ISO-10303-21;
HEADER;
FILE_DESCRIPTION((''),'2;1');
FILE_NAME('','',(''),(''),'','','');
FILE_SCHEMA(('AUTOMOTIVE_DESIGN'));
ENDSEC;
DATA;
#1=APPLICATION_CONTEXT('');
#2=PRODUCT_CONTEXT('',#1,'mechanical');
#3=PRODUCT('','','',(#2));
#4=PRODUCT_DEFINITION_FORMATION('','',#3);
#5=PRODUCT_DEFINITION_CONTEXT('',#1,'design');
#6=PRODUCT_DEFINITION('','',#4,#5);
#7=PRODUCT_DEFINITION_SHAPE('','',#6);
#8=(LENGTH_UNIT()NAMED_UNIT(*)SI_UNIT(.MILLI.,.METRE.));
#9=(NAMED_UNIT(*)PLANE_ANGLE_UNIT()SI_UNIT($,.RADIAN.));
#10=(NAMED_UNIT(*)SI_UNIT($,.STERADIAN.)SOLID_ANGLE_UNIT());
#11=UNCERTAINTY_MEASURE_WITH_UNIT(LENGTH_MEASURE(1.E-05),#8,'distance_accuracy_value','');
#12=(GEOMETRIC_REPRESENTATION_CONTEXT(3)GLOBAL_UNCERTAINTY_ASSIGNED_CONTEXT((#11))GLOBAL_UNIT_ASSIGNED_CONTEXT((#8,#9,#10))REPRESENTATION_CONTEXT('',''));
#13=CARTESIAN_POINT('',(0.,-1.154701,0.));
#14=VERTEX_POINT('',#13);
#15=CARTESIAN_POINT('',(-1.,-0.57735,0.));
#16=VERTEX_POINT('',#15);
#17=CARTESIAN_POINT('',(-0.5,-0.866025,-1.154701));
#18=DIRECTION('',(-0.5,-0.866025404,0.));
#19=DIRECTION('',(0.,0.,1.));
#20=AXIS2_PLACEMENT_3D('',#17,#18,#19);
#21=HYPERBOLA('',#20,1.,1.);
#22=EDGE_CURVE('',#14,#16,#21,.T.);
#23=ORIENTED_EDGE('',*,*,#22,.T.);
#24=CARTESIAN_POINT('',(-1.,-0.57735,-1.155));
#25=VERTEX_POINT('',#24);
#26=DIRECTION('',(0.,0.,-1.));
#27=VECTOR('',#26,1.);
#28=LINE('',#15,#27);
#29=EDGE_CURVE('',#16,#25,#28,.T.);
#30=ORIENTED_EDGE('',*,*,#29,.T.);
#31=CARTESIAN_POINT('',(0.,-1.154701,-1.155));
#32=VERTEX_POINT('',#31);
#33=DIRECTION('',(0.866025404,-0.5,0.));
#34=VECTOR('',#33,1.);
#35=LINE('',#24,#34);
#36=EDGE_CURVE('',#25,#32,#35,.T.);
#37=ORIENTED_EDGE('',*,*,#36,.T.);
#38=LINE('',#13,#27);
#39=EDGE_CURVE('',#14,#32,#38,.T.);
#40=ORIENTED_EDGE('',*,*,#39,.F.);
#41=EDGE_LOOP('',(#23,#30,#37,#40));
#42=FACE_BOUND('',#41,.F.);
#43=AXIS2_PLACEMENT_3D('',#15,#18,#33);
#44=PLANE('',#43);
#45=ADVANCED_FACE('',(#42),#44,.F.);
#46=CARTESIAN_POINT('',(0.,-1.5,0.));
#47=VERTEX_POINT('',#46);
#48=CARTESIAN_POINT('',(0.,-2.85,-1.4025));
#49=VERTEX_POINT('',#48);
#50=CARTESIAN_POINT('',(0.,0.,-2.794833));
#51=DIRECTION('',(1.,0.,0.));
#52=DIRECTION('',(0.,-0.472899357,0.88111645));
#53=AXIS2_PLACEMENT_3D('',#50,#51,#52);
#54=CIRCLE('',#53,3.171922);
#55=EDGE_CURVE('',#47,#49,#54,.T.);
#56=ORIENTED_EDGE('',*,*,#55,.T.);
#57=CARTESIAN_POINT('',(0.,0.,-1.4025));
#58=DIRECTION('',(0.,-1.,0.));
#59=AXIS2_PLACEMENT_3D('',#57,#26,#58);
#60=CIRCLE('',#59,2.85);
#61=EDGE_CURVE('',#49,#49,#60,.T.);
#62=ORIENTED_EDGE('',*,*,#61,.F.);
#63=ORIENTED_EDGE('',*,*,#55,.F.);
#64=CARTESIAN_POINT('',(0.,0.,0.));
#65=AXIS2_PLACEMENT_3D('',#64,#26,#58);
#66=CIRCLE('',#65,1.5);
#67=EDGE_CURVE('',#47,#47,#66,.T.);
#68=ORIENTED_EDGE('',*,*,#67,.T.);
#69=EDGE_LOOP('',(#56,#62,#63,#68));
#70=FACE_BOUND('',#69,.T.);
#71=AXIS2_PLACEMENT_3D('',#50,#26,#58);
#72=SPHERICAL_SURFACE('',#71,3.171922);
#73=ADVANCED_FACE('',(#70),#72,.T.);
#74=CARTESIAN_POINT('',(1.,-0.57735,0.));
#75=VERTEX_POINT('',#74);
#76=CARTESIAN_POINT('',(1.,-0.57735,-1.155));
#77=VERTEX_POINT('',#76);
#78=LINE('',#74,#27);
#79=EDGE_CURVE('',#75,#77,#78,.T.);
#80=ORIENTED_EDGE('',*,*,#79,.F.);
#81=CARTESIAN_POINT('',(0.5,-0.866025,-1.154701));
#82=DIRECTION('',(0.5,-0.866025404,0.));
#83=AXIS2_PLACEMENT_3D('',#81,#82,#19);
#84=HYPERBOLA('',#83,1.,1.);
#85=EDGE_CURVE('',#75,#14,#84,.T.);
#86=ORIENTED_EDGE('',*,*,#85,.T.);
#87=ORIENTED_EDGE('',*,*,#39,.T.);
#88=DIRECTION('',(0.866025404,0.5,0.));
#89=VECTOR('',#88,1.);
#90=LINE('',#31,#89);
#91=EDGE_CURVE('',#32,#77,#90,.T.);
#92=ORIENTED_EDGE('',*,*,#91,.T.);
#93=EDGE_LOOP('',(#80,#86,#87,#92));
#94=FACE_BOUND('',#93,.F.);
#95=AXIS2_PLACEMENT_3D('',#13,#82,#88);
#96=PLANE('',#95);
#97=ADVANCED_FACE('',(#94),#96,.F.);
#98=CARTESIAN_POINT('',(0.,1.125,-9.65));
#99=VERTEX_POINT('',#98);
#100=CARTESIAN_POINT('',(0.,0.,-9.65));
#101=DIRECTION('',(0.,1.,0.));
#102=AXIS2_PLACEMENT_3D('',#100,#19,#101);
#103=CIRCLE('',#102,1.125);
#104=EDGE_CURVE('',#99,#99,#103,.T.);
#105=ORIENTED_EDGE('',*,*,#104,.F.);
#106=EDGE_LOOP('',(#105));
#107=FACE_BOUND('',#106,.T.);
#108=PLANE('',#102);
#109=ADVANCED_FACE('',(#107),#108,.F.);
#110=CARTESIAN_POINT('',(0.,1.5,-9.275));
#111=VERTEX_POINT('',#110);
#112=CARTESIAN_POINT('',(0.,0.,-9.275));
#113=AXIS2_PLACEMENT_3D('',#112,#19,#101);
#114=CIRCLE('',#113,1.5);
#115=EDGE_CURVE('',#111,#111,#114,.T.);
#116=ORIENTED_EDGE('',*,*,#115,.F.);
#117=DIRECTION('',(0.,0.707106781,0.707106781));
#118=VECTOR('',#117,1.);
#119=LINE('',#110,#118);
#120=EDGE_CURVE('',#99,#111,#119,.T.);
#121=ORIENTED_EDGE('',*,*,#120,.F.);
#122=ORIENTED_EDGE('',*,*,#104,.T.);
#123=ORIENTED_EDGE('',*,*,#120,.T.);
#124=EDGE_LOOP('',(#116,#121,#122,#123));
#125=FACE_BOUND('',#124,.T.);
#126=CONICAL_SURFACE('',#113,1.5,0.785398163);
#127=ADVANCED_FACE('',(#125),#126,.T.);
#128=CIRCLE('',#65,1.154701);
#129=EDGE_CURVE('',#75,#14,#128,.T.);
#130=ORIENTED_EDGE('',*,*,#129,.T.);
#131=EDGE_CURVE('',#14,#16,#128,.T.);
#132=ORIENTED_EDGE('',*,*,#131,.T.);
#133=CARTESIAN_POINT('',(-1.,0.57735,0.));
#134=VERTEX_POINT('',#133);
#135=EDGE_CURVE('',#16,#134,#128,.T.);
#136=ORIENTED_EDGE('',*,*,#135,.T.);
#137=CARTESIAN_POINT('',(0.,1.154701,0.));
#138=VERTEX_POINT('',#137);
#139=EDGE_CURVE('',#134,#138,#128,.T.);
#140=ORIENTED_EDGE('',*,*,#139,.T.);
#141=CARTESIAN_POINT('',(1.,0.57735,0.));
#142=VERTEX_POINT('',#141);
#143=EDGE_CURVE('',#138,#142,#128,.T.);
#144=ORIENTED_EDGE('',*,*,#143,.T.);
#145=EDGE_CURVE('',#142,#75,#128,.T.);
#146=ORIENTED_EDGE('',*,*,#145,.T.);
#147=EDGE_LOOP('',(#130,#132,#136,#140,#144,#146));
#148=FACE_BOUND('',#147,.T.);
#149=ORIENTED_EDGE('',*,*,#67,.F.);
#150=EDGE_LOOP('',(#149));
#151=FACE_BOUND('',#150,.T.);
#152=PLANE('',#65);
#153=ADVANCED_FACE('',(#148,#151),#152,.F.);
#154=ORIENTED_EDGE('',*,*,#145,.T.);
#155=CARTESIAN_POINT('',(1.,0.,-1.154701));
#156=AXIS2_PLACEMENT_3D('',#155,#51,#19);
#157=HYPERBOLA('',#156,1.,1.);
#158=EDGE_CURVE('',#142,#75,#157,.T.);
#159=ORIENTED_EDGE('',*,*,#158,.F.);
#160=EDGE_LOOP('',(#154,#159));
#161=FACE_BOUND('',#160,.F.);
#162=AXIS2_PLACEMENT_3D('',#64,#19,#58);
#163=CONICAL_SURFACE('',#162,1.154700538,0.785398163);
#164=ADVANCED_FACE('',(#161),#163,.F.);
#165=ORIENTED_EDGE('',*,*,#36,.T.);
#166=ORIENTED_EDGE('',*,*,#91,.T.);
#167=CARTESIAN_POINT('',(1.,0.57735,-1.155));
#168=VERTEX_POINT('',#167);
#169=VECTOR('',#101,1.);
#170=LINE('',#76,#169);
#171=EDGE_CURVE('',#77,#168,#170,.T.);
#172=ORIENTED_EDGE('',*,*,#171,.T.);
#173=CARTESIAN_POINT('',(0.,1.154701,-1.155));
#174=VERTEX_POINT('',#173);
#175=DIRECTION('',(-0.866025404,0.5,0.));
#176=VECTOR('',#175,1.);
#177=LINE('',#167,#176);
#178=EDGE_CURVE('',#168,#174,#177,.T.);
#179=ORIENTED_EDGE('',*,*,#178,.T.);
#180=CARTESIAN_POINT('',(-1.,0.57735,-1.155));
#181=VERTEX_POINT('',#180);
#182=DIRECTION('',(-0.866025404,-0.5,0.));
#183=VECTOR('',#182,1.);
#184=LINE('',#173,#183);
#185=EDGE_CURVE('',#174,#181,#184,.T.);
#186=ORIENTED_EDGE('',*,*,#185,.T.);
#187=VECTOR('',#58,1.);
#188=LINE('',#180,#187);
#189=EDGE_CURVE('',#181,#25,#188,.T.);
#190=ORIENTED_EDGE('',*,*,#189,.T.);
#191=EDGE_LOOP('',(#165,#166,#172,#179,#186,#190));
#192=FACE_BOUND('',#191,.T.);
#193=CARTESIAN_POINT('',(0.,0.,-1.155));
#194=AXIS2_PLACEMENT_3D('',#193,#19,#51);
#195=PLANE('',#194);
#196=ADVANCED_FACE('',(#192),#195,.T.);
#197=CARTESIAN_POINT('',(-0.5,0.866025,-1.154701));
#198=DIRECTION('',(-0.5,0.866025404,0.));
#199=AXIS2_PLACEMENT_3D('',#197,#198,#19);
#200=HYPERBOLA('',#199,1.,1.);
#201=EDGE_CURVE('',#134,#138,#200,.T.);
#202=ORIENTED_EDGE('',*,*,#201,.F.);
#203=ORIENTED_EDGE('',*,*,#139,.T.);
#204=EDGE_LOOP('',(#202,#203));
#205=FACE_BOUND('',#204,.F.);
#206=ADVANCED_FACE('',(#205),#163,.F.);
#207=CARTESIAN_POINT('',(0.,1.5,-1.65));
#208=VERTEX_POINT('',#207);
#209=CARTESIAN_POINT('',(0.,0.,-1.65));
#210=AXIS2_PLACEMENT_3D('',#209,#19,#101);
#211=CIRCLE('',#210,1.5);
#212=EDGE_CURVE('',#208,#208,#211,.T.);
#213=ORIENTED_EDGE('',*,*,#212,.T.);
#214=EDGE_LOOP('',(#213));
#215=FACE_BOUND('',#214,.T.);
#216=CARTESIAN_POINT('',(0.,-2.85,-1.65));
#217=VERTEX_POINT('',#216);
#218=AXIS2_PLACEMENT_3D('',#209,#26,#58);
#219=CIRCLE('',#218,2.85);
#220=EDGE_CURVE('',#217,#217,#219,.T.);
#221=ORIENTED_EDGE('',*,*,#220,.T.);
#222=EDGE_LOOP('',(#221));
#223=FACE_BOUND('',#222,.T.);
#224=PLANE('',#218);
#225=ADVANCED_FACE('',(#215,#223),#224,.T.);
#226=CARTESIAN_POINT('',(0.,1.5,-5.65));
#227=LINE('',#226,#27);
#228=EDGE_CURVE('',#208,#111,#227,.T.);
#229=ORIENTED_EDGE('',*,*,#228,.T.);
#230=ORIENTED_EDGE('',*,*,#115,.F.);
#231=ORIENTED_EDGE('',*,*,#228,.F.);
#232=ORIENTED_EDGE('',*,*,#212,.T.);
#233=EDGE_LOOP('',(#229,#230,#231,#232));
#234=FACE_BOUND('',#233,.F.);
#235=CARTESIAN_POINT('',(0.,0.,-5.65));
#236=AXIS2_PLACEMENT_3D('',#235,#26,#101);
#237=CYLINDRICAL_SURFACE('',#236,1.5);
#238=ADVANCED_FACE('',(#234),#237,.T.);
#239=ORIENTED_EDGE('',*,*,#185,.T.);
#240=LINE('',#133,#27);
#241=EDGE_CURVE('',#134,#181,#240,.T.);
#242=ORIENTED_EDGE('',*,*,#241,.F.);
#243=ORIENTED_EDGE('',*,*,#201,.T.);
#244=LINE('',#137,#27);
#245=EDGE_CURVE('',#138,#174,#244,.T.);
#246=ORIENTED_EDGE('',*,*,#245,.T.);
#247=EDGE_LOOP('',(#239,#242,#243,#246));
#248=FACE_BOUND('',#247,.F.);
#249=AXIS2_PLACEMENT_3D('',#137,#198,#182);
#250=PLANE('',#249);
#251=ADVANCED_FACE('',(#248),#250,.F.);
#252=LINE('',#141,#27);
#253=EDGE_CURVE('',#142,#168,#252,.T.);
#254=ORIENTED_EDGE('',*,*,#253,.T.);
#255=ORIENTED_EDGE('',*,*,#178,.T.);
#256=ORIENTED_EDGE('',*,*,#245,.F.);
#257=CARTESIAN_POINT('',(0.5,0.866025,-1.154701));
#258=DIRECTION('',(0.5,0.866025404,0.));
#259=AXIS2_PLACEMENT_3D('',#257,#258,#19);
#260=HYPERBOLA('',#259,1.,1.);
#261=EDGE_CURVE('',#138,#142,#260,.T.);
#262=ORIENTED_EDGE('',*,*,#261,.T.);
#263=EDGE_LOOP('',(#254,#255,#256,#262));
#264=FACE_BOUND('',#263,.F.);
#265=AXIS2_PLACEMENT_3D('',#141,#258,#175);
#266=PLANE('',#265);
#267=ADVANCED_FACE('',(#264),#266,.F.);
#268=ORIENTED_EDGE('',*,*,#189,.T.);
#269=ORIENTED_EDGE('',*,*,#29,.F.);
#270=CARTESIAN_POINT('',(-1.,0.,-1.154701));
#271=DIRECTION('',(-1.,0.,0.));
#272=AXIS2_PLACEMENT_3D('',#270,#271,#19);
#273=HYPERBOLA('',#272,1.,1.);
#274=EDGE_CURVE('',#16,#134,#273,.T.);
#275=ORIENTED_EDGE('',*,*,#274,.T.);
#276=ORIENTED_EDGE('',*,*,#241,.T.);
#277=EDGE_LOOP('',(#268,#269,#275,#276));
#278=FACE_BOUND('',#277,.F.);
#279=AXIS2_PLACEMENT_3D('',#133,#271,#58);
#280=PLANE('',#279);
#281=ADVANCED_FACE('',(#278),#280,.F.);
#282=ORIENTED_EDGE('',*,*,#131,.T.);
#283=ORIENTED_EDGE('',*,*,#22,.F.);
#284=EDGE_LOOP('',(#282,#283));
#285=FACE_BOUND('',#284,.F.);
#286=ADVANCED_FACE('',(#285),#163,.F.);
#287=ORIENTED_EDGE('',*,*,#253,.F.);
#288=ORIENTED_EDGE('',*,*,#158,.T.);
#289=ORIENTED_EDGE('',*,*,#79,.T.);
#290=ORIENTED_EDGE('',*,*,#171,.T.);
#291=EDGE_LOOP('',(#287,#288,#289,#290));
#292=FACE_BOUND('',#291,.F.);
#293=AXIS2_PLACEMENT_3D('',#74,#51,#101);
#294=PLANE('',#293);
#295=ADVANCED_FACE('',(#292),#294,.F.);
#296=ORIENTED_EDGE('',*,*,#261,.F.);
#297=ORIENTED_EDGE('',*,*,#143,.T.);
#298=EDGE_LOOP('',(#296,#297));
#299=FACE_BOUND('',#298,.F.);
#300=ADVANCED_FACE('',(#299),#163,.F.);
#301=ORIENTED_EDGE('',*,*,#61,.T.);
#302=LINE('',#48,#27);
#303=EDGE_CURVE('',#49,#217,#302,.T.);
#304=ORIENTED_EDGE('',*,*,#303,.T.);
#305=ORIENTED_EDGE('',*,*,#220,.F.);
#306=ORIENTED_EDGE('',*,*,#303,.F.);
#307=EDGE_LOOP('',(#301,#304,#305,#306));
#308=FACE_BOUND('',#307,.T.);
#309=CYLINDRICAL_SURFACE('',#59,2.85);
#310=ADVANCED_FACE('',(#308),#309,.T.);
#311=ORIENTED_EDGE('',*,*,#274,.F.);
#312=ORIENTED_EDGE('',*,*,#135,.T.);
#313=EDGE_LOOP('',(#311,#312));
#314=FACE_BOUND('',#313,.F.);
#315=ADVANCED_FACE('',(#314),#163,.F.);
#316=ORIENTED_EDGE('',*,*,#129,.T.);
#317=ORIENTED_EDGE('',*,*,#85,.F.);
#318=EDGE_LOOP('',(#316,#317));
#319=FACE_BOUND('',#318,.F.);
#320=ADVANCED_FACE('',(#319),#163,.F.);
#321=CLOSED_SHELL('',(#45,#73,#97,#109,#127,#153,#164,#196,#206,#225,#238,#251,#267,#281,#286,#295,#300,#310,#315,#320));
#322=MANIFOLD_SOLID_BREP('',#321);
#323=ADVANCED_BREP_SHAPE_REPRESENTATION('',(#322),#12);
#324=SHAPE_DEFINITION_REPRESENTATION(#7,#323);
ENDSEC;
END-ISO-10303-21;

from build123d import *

# Parameters (mm, degrees)
SKETCH1_W          = 8
SKETCH1_H          = 1.5
CHAMFER1_SIZE      = 0.375
CUT_EXTRUDE2_DEPTH = 1.155


with BuildPart() as part:
    # Sketch1 → Revolve1 (revolve)
    with BuildSketch(Plane(origin=(0, 0, 0), x_dir=(0, 0, -1), z_dir=(1, 0, 0))):
        with Locations((5.65, 0.75)):
            Rectangle(SKETCH1_W, SKETCH1_H)
    revolve(axis=Axis((0, 0, -9.65), (0, 0, 1)))

    # Chamfer1
    chamfer1_edges = [part.edges().sort_by_distance(p)[0] for p in [
        (0, -1.5, -9.65),
    ]]
    chamfer(chamfer1_edges, length=CHAMFER1_SIZE)

    # Sketch7 → Revolve2 (revolve)
    with BuildSketch(Plane(origin=(0, 0, 0), x_dir=(0, 0, -1), z_dir=(1, 0, 0))):
        with BuildLine():
            Line((1.4025, 2.85), (1.65, 2.85))
            Line((1.65, 2.85), (1.65, 0))
            Line((1.65, 0), (0, 0))
            Line((0, 0), (0, 1.5))
            ThreePointArc((0, 1.5), (0.59512511, 2.285251969), (1.4025, 2.85))
        make_face()
    revolve(axis=Axis((0, 0, 0), (0, 0, -1)))

    # Sketch5 → Cut-Extrude2 (cut)
    with BuildSketch(Plane.XY):
        Polygon((1, -0.577350269), (1, 0.577350269), (0, 1.154700538), (-1, 0.577350269), (-1, -0.577350269), (0, -1.154700538), align=None)
    extrude(amount=-CUT_EXTRUDE2_DEPTH, mode=Mode.SUBTRACT)

    # Cut-Extrude3 cone 1 section (through the dimple's axis) → Cut-Extrude3 (revolve, cut)
    with BuildSketch(Plane(origin=(0, 0, 0), x_dir=(0, -1, 0), z_dir=(1, 0, 0))):
        Polygon((0, 0), (1.154700538, 0), (0, 1.154700538), align=None)
    revolve(axis=Axis((0, 0, 0), (0, 0, -1)), mode=Mode.SUBTRACT)


solid = part.part
